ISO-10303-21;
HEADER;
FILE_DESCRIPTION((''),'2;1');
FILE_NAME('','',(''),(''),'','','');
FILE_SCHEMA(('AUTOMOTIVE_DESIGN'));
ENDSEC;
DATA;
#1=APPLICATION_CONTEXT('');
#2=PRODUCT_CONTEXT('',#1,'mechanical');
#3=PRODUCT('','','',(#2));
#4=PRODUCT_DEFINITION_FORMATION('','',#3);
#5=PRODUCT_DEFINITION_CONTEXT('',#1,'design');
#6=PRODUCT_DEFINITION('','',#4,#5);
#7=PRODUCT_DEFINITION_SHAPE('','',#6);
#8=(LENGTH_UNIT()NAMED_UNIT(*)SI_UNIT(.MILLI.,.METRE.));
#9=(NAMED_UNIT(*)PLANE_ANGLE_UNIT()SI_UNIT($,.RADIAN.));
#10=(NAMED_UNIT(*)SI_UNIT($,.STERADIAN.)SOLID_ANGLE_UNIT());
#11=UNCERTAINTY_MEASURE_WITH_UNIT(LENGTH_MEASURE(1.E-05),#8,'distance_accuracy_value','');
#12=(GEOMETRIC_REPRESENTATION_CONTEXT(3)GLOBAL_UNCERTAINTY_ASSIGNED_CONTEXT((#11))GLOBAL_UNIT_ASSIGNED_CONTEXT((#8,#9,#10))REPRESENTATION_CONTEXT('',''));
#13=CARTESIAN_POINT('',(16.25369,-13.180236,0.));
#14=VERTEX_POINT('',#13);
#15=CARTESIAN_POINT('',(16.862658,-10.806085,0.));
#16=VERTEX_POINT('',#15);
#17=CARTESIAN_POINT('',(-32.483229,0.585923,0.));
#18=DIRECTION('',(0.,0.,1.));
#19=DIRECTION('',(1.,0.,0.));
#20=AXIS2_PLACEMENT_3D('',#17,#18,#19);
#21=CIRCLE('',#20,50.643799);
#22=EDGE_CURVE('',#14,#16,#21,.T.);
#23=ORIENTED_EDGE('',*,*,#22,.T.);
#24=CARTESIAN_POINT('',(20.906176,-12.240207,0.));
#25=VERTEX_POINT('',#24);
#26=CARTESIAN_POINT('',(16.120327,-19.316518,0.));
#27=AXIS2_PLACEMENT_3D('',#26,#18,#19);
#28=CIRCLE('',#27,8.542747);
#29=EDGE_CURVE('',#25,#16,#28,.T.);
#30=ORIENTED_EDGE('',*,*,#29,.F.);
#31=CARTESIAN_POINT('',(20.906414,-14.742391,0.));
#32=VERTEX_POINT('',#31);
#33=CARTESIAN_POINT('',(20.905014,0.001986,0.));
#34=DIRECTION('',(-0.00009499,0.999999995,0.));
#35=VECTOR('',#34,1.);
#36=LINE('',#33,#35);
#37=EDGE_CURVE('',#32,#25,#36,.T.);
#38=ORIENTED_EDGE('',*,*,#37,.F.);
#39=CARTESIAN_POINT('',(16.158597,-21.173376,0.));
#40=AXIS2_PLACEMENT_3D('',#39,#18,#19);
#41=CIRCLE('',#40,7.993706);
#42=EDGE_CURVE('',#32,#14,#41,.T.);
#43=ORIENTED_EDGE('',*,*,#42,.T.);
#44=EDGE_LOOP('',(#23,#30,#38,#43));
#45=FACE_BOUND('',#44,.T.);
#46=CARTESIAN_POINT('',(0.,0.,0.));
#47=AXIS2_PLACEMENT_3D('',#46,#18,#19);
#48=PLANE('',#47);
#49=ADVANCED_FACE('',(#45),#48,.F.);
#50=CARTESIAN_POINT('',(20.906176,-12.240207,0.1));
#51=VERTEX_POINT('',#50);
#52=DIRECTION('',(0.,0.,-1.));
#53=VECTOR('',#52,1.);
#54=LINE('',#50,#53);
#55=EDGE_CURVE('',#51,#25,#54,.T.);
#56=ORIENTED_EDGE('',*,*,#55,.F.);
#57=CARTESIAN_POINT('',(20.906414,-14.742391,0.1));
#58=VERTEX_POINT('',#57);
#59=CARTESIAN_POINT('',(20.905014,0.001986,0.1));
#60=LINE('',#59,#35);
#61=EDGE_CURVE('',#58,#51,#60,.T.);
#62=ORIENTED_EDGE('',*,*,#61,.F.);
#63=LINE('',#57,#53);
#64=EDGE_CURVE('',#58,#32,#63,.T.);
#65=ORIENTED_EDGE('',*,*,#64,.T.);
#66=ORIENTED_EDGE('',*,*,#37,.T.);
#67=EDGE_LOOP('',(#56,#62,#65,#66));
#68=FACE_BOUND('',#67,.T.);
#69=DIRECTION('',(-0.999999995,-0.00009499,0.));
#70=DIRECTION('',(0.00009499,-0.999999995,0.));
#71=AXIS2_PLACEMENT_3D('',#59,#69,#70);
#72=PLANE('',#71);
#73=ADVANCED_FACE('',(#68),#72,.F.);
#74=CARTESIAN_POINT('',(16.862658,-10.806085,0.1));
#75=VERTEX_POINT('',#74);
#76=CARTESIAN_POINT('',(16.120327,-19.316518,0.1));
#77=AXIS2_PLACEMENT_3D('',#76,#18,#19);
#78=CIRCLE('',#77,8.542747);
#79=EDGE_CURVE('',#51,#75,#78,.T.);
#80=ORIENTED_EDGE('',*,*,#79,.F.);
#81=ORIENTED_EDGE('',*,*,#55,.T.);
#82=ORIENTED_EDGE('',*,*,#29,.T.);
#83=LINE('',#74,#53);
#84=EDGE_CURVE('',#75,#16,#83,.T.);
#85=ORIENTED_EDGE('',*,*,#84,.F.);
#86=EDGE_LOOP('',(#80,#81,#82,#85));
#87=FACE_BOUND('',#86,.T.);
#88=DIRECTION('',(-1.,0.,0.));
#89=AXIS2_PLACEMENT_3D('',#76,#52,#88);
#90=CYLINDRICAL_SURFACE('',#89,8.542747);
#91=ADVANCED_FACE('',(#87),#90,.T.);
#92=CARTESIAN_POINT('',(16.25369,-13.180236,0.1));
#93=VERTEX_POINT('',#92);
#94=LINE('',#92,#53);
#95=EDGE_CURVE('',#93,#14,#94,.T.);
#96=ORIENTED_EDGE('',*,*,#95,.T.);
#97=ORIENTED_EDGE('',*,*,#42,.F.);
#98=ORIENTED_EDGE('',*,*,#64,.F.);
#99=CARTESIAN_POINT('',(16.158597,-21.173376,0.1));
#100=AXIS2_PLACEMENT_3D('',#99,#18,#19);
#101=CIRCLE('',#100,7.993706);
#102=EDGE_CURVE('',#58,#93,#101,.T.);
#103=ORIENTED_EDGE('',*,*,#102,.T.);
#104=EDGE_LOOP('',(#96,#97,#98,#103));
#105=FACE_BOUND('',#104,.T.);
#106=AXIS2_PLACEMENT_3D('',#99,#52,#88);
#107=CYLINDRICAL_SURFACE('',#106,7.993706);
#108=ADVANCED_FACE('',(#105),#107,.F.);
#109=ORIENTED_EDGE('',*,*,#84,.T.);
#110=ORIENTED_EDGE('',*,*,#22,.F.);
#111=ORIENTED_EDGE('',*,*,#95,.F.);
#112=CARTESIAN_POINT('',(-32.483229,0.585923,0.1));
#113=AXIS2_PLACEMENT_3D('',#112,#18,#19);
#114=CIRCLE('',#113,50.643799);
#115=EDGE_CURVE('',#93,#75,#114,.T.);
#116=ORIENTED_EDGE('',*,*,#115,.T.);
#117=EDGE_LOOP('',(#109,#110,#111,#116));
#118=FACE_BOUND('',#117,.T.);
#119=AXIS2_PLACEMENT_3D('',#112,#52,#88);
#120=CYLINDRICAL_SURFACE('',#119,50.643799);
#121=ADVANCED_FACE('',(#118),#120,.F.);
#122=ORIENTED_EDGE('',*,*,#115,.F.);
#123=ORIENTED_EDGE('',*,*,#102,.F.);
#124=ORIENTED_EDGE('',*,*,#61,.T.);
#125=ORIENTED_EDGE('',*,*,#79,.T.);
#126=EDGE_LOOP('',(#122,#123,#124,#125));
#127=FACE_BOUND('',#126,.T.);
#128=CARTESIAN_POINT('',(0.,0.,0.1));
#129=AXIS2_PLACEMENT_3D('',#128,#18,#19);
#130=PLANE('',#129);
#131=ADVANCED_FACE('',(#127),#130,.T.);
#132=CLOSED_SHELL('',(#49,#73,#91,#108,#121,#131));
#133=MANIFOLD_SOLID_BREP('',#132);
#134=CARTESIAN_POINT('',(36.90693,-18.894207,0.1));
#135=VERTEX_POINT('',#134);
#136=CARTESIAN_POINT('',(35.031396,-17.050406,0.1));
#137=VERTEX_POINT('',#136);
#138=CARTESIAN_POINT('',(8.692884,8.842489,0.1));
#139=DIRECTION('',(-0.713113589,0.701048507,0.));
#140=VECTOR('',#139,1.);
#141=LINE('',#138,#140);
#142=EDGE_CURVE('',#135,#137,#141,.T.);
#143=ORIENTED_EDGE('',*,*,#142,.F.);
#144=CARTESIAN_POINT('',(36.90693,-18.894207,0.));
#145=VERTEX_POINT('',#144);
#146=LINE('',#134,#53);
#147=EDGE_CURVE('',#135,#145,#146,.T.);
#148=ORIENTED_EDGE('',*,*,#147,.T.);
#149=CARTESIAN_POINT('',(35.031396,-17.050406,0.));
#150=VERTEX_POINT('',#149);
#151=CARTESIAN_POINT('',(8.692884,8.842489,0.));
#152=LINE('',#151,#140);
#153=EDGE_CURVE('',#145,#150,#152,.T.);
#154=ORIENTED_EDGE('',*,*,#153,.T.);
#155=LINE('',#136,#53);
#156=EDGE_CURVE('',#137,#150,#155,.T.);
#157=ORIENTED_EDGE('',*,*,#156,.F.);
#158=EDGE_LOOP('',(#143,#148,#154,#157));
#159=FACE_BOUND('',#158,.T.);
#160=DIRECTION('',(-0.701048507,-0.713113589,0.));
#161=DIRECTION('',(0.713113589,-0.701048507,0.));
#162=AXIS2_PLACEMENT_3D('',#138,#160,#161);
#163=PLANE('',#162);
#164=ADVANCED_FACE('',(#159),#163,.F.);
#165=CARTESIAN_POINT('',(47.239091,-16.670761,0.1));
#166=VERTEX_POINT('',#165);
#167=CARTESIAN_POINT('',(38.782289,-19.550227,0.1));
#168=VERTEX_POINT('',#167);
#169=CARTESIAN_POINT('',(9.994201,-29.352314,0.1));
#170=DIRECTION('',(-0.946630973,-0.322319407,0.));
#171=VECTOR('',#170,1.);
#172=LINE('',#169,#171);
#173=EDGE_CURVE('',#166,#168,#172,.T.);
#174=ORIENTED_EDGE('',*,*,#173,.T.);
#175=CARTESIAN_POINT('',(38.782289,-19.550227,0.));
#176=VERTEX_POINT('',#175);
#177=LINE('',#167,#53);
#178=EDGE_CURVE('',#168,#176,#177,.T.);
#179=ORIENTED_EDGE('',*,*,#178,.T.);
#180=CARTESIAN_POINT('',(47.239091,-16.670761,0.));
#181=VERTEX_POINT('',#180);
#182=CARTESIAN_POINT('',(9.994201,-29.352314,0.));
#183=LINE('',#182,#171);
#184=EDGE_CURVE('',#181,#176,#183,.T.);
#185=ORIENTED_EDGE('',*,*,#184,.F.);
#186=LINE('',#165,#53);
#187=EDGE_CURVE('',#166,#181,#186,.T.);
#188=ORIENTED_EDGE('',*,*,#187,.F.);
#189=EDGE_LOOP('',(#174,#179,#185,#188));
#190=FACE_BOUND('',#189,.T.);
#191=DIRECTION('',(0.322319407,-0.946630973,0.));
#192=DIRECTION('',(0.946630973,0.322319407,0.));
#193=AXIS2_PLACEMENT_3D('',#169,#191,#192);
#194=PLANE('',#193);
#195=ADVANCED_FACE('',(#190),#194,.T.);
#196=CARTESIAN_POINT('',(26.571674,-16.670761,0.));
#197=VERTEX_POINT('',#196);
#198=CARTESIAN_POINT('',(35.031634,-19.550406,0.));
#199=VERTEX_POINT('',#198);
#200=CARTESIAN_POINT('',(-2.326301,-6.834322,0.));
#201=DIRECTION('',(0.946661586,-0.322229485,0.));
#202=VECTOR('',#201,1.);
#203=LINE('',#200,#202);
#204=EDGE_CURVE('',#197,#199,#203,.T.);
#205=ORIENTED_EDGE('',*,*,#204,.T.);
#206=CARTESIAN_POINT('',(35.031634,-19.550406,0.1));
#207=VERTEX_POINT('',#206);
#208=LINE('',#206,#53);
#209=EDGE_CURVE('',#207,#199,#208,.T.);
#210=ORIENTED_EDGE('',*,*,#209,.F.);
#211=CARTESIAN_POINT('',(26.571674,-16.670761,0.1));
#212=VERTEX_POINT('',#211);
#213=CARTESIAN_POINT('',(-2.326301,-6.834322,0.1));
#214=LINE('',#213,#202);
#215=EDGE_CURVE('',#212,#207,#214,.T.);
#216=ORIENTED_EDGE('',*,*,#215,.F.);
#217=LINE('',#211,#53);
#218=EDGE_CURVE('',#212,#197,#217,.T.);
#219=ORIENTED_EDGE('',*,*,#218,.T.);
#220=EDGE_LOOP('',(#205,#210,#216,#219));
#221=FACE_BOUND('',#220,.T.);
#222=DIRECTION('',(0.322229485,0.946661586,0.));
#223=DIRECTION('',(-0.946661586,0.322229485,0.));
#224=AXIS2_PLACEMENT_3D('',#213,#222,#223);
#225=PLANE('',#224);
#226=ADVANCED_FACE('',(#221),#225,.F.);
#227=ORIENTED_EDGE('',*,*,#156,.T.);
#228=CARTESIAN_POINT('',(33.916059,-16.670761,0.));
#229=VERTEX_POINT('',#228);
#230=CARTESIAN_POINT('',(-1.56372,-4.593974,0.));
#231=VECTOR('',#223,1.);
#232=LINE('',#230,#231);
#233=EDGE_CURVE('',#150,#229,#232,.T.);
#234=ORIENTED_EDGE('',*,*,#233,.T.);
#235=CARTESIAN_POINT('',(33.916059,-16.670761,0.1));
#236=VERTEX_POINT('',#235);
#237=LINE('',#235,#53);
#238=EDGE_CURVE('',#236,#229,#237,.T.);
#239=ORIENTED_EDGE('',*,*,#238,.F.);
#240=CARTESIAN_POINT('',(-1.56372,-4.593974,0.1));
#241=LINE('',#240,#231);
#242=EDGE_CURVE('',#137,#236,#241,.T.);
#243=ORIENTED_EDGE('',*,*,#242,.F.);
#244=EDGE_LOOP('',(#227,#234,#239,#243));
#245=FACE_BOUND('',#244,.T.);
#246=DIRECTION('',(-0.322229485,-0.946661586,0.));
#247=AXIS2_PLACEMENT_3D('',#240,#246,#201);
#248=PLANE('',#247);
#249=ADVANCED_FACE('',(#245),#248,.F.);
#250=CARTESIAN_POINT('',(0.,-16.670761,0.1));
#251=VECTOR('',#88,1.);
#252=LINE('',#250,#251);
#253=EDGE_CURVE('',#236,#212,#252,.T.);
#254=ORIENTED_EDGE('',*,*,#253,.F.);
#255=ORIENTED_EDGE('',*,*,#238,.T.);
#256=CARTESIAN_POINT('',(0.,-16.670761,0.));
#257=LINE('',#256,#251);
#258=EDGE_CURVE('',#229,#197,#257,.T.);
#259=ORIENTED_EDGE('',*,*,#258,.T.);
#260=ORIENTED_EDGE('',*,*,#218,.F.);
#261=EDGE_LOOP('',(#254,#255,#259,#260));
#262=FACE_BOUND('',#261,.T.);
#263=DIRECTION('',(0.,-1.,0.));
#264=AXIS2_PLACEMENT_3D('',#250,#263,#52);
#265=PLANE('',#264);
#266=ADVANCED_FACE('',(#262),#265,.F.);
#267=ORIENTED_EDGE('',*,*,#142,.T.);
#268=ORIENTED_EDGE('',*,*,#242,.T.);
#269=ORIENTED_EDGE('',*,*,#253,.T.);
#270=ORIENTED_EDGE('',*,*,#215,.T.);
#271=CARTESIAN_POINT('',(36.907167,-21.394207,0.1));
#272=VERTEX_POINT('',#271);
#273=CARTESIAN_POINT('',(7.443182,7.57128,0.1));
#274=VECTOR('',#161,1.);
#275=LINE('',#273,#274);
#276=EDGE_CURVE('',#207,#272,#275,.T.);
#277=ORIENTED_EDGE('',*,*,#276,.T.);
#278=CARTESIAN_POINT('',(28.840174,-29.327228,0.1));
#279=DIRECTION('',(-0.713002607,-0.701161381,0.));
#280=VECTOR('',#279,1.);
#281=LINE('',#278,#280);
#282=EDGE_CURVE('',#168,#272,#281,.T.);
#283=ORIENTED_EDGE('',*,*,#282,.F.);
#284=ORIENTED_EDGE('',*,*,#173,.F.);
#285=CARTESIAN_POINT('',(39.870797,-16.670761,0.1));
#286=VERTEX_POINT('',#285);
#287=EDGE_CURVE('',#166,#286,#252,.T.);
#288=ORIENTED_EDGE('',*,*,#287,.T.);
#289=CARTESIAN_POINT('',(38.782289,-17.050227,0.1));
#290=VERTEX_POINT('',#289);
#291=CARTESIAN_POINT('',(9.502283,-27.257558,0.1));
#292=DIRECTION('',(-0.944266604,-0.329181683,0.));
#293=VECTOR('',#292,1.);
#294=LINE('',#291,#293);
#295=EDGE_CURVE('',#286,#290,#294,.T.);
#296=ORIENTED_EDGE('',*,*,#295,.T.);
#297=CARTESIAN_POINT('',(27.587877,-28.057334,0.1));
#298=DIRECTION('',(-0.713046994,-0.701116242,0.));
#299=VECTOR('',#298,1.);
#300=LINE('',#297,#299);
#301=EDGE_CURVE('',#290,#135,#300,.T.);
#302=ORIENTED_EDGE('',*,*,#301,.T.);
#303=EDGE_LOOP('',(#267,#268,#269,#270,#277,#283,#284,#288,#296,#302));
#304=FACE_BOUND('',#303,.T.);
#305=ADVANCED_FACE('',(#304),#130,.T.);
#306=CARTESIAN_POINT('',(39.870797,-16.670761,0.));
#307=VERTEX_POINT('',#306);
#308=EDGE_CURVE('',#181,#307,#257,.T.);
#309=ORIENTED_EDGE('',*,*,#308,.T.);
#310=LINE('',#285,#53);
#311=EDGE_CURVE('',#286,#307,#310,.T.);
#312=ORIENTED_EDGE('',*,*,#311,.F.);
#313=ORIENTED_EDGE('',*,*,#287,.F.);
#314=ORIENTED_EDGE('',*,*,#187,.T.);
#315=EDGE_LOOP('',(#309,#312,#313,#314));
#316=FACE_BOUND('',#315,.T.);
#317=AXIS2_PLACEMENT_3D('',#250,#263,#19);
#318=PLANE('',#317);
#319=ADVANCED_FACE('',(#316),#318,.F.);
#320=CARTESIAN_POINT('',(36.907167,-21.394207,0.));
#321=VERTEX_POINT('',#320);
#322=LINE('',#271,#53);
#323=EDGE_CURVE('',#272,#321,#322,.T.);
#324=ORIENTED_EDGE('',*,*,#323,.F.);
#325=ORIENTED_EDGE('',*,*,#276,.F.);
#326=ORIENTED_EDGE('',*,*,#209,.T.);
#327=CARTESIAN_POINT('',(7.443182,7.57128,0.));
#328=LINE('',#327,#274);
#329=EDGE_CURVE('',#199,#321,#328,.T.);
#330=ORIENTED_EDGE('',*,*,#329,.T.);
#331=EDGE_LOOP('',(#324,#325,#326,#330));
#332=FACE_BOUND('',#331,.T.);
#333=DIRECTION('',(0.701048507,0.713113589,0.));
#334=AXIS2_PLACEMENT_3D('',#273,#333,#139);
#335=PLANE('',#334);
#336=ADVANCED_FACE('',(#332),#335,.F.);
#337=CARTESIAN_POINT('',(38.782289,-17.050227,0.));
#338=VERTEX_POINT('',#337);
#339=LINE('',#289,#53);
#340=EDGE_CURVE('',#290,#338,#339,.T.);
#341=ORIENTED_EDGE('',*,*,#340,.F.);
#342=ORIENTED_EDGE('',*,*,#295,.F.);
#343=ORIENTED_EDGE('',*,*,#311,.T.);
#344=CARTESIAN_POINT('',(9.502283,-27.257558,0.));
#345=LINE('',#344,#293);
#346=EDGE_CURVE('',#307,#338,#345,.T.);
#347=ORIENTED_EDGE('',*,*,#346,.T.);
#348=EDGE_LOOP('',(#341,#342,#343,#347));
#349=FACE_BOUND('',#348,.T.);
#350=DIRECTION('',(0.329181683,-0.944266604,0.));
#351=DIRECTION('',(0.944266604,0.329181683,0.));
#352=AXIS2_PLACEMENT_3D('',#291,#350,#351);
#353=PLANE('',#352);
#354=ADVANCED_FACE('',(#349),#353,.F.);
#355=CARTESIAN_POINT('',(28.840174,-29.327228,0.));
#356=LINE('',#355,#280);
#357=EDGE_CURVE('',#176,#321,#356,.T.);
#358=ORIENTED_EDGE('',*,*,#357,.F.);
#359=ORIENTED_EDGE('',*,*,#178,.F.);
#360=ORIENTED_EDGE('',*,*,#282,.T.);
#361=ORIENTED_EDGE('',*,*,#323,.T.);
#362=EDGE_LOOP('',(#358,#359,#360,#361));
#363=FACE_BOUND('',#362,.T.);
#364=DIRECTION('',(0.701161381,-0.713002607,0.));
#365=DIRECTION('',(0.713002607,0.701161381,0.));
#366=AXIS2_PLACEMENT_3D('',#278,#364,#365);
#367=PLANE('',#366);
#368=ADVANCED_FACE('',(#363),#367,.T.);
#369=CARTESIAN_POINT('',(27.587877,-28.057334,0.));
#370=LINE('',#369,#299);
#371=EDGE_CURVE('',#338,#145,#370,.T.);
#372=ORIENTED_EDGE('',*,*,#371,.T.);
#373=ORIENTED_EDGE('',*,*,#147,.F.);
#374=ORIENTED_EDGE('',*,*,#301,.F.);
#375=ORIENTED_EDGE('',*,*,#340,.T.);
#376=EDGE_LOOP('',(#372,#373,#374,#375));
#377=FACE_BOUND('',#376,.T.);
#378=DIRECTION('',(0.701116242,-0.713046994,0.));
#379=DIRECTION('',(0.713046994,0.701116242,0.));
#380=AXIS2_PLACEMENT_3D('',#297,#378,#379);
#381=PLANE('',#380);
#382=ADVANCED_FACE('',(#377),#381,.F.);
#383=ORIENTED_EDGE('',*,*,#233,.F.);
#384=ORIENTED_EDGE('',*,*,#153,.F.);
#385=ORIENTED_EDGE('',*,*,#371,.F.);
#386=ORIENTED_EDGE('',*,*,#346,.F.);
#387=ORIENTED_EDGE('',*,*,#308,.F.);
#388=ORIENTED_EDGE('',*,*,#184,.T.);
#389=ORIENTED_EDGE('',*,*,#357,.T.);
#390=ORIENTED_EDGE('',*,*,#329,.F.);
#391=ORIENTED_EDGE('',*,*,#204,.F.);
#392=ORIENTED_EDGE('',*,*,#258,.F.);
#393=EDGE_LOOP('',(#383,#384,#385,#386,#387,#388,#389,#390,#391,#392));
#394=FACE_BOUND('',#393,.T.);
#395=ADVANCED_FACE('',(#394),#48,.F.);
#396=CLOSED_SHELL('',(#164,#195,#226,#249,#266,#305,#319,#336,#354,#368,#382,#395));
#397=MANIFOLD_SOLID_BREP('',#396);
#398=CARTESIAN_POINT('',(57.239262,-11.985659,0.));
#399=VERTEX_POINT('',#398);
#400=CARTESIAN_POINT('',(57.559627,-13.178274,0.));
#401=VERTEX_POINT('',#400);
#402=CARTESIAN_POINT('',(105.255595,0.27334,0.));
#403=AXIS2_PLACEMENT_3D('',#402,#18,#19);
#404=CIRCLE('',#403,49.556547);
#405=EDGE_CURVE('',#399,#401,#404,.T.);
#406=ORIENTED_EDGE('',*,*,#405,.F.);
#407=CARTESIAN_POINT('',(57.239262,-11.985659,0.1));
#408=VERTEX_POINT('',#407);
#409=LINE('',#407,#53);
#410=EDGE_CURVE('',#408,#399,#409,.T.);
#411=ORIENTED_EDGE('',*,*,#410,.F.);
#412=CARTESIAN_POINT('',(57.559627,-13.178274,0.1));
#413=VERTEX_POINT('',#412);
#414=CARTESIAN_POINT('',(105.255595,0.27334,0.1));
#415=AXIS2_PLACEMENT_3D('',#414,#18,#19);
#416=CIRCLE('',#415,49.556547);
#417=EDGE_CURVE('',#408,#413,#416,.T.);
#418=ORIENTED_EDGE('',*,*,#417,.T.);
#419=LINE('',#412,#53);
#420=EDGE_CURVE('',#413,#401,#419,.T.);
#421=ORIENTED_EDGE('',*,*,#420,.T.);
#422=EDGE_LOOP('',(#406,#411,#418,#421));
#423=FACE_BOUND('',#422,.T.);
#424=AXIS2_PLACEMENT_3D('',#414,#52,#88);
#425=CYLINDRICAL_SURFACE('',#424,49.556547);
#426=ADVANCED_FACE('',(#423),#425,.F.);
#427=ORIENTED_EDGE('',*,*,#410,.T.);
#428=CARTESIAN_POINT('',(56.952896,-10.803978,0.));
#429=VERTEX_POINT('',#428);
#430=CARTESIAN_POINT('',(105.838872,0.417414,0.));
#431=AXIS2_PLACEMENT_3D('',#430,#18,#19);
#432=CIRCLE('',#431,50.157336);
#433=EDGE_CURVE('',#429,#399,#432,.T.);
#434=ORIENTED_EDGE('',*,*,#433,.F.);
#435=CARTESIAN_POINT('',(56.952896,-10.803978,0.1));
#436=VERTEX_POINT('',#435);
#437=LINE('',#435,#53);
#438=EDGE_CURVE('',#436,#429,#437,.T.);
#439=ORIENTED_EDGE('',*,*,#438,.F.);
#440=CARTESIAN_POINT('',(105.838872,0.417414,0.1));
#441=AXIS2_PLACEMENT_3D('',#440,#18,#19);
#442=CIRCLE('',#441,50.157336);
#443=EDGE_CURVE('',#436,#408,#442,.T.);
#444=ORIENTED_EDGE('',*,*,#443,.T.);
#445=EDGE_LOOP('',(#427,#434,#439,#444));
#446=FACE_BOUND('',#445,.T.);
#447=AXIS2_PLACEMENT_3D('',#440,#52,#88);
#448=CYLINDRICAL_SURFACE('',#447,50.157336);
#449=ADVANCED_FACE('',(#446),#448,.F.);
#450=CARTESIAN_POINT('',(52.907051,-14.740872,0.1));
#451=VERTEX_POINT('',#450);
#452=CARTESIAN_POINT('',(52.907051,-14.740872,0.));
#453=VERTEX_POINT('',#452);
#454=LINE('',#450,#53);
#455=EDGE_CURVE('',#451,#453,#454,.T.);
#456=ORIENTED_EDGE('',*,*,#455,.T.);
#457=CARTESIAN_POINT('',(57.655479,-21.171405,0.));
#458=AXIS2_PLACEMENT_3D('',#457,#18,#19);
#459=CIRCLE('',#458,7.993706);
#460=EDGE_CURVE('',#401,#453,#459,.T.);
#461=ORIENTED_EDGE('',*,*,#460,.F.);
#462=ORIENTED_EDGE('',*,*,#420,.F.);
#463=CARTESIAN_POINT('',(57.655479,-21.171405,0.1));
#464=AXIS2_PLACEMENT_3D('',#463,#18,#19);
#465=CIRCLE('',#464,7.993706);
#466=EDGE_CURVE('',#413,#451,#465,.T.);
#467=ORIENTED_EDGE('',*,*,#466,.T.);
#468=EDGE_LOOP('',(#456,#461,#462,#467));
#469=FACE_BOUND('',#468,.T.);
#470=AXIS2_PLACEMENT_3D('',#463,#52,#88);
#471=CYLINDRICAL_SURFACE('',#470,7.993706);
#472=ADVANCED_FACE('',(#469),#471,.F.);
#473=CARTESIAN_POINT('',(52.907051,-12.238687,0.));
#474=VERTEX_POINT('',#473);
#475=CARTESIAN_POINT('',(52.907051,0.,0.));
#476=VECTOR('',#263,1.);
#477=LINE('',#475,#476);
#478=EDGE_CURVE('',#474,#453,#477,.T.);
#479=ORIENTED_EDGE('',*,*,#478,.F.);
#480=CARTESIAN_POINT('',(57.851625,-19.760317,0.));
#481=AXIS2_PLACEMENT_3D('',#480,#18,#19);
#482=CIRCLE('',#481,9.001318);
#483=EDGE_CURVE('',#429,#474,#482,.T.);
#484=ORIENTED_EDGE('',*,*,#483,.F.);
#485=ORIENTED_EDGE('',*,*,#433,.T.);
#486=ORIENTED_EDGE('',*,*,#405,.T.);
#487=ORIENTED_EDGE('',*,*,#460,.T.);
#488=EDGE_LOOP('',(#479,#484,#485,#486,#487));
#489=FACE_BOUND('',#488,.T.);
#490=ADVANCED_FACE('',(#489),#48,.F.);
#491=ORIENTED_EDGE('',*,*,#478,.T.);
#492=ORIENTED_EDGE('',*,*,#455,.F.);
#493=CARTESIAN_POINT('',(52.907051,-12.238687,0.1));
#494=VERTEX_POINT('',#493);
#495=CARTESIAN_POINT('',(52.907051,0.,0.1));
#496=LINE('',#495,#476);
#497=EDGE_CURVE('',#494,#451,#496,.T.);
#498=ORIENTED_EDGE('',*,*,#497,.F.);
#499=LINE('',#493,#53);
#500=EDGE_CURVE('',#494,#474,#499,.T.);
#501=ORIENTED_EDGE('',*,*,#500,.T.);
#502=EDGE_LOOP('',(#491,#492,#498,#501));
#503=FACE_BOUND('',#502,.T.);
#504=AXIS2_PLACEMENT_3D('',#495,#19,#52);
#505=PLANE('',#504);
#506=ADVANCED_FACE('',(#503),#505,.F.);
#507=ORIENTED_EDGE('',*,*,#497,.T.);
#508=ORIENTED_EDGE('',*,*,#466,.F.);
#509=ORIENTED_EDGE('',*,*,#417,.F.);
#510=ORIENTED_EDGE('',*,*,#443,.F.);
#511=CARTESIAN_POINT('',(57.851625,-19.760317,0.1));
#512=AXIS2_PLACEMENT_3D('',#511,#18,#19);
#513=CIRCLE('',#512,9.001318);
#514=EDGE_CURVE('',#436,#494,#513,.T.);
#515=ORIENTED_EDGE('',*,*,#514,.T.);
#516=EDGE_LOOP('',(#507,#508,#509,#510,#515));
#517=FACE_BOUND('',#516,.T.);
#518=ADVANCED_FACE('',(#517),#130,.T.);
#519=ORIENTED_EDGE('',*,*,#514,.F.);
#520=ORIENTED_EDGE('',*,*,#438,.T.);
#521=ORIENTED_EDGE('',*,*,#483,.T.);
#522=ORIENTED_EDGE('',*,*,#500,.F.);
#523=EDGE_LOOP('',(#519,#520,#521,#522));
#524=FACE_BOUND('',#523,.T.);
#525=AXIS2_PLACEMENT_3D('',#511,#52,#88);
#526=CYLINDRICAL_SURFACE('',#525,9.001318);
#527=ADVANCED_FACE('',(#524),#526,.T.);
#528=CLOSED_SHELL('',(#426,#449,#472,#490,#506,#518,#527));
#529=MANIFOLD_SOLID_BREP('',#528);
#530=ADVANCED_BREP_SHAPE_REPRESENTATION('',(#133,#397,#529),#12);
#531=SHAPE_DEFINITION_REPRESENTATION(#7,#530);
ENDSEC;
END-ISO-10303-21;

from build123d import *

# Parameters (mm, degrees)
SALIENTE_EXTRUIR1_DEPTH   = 0.1
SALIENTE_EXTRUIR1_2_DEPTH = 0.1
SALIENTE_EXTRUIR1_3_DEPTH = 0.1


with BuildPart() as part:
    # Model → Saliente-Extruir1 (new body)
    with BuildSketch(Plane.XY):
        with BuildLine():
            ThreePointArc((16.253690147, -13.180235977), (18.70290977, -13.595394577), (20.906414144, -14.742391482))
            Line((20.906414144, -14.742391482), (20.906176461, -12.240206894))
            ThreePointArc((20.906176461, -12.240206894), (18.975913125, -11.265172682), (16.862658207, -10.806084555))
            ThreePointArc((16.862658207, -10.806084555), (16.572539002, -11.996844833), (16.253690147, -13.180235977))
        make_face()
    extrude(amount=SALIENTE_EXTRUIR1_DEPTH)


with BuildPart() as body_2:
    # Model → Saliente-Extruir1 2 (new body)
    with BuildSketch(Plane.XY):
        Polygon((47.239091143, -16.670761499), (38.78228857, -19.550227381), (36.907167402, -21.394207383), (35.031633608, -19.550405519), (26.571674165, -16.670761499), (33.916059279, -16.670761499), (35.031396133, -17.05040553), (36.906929927, -18.894207394), (38.78228857, -17.050227381), (39.870796767, -16.670761499), align=None)
    extrude(amount=SALIENTE_EXTRUIR1_2_DEPTH)


with BuildPart() as body_3:
    # Model → Saliente-Extruir1 3 (new body)
    with BuildSketch(Plane.XY):
        with BuildLine():
            ThreePointArc((56.952895616, -10.80397792), (54.843195929, -11.27662203), (52.907051257, -12.238687012))
            Line((52.907051257, -12.238687012), (52.907051257, -14.740871612))
            ThreePointArc((52.907051257, -14.740871612), (55.110446668, -13.593665401), (57.559626843, -13.178274152))
            ThreePointArc((57.559626843, -13.178274152), (57.395729395, -12.582964534), (57.239261898, -11.985659053))
            ThreePointArc((57.239261898, -11.985659053), (57.092497922, -11.395686259), (56.952895616, -10.80397792))
        make_face()
    extrude(amount=SALIENTE_EXTRUIR1_3_DEPTH)


solid = Compound([part.part, body_2.part, body_3.part])
